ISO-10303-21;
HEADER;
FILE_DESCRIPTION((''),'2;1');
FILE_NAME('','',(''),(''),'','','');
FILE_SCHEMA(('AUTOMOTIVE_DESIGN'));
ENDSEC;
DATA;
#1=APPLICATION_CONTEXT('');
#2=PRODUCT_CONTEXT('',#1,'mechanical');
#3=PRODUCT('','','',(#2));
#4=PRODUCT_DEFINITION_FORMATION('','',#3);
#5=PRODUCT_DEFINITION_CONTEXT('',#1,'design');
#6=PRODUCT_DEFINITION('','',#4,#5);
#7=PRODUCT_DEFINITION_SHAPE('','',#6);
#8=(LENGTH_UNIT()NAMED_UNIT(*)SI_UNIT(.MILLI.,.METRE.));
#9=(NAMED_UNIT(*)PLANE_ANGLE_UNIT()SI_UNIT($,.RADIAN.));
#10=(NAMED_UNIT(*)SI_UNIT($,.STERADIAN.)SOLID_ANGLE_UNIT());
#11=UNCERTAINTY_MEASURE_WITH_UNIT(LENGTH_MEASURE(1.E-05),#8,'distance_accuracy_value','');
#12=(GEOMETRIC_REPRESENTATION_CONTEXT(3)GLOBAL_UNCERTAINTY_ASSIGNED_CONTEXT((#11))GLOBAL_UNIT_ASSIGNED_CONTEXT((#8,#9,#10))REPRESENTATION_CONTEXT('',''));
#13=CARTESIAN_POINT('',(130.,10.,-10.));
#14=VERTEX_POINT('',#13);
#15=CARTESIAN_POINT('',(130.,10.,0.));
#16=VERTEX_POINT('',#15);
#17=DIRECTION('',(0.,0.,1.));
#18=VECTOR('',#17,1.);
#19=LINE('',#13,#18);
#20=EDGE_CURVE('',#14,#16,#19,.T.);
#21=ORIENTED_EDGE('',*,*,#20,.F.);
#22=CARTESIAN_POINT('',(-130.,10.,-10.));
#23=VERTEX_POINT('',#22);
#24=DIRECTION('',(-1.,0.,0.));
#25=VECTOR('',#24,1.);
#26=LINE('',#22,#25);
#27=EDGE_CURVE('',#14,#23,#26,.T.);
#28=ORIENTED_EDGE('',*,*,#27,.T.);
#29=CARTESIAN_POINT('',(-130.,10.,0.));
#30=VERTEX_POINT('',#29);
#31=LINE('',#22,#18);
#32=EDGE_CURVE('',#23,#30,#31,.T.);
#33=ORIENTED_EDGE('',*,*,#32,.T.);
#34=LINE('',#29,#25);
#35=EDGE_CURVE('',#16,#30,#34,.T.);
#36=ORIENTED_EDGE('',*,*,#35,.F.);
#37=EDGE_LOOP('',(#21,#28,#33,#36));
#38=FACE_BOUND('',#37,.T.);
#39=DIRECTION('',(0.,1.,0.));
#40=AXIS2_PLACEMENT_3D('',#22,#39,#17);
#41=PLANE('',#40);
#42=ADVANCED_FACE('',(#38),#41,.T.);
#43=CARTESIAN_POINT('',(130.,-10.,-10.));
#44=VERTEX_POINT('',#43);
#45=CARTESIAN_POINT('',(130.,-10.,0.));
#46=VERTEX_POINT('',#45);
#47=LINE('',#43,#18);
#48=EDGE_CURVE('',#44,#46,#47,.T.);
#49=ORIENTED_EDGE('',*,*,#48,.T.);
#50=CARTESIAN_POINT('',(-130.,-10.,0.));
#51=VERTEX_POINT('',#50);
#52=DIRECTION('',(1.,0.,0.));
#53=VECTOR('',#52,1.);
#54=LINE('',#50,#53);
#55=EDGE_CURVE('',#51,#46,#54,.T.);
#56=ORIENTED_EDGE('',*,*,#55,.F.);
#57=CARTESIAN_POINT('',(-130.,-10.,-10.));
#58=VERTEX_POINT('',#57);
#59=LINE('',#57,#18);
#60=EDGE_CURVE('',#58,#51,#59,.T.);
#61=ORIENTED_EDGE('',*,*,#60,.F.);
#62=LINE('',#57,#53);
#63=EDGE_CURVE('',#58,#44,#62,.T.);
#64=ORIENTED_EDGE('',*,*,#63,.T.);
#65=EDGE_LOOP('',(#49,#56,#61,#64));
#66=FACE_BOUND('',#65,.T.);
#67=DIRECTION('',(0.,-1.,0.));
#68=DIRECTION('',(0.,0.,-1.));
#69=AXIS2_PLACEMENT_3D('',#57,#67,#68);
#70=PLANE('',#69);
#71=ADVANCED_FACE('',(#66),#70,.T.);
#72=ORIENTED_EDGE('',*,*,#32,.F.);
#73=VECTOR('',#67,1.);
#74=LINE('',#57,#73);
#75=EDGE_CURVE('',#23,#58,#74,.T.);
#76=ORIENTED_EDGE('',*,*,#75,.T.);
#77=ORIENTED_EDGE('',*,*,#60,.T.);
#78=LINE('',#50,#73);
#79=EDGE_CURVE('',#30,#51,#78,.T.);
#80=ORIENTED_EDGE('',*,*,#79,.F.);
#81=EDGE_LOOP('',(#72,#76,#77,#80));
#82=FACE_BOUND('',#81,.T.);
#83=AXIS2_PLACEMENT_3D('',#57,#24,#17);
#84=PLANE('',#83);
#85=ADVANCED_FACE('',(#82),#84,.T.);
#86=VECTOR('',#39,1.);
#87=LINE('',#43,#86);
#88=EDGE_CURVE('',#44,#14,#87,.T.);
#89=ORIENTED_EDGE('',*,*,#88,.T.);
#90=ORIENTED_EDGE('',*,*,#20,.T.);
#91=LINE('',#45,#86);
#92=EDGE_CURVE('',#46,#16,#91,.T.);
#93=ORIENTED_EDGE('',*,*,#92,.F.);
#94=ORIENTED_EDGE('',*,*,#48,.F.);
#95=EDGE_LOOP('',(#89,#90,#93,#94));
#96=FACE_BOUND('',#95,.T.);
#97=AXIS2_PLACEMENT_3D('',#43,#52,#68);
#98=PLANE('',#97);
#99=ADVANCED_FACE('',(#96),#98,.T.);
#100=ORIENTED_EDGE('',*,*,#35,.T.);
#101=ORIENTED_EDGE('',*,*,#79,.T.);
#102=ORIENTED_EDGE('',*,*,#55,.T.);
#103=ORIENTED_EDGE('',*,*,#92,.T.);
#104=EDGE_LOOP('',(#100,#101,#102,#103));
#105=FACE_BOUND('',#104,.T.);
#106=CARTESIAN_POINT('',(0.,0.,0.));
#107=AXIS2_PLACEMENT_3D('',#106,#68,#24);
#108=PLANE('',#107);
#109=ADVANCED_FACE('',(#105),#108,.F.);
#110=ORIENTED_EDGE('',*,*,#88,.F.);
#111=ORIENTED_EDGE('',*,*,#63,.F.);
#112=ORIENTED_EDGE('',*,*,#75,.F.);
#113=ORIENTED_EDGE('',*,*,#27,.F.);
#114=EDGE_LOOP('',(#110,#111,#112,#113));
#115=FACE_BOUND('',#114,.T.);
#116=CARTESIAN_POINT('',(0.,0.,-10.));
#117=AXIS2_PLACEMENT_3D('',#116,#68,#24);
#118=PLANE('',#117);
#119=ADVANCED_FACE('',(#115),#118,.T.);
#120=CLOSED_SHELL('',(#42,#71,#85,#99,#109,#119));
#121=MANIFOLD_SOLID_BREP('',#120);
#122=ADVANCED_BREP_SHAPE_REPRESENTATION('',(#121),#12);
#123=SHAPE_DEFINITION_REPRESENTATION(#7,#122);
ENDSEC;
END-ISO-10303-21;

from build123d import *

# Parameters (mm, degrees)
SKETCH1_W           = 260
SKETCH1_H           = 20
BOSS_EXTRUDE1_DEPTH = 10


with BuildPart() as part:
    # Sketch1 → Boss-Extrude1 (new body)
    with BuildSketch(Plane.XY):
        Rectangle(SKETCH1_W, SKETCH1_H)
    extrude(amount=-BOSS_EXTRUDE1_DEPTH)


solid = part.part
